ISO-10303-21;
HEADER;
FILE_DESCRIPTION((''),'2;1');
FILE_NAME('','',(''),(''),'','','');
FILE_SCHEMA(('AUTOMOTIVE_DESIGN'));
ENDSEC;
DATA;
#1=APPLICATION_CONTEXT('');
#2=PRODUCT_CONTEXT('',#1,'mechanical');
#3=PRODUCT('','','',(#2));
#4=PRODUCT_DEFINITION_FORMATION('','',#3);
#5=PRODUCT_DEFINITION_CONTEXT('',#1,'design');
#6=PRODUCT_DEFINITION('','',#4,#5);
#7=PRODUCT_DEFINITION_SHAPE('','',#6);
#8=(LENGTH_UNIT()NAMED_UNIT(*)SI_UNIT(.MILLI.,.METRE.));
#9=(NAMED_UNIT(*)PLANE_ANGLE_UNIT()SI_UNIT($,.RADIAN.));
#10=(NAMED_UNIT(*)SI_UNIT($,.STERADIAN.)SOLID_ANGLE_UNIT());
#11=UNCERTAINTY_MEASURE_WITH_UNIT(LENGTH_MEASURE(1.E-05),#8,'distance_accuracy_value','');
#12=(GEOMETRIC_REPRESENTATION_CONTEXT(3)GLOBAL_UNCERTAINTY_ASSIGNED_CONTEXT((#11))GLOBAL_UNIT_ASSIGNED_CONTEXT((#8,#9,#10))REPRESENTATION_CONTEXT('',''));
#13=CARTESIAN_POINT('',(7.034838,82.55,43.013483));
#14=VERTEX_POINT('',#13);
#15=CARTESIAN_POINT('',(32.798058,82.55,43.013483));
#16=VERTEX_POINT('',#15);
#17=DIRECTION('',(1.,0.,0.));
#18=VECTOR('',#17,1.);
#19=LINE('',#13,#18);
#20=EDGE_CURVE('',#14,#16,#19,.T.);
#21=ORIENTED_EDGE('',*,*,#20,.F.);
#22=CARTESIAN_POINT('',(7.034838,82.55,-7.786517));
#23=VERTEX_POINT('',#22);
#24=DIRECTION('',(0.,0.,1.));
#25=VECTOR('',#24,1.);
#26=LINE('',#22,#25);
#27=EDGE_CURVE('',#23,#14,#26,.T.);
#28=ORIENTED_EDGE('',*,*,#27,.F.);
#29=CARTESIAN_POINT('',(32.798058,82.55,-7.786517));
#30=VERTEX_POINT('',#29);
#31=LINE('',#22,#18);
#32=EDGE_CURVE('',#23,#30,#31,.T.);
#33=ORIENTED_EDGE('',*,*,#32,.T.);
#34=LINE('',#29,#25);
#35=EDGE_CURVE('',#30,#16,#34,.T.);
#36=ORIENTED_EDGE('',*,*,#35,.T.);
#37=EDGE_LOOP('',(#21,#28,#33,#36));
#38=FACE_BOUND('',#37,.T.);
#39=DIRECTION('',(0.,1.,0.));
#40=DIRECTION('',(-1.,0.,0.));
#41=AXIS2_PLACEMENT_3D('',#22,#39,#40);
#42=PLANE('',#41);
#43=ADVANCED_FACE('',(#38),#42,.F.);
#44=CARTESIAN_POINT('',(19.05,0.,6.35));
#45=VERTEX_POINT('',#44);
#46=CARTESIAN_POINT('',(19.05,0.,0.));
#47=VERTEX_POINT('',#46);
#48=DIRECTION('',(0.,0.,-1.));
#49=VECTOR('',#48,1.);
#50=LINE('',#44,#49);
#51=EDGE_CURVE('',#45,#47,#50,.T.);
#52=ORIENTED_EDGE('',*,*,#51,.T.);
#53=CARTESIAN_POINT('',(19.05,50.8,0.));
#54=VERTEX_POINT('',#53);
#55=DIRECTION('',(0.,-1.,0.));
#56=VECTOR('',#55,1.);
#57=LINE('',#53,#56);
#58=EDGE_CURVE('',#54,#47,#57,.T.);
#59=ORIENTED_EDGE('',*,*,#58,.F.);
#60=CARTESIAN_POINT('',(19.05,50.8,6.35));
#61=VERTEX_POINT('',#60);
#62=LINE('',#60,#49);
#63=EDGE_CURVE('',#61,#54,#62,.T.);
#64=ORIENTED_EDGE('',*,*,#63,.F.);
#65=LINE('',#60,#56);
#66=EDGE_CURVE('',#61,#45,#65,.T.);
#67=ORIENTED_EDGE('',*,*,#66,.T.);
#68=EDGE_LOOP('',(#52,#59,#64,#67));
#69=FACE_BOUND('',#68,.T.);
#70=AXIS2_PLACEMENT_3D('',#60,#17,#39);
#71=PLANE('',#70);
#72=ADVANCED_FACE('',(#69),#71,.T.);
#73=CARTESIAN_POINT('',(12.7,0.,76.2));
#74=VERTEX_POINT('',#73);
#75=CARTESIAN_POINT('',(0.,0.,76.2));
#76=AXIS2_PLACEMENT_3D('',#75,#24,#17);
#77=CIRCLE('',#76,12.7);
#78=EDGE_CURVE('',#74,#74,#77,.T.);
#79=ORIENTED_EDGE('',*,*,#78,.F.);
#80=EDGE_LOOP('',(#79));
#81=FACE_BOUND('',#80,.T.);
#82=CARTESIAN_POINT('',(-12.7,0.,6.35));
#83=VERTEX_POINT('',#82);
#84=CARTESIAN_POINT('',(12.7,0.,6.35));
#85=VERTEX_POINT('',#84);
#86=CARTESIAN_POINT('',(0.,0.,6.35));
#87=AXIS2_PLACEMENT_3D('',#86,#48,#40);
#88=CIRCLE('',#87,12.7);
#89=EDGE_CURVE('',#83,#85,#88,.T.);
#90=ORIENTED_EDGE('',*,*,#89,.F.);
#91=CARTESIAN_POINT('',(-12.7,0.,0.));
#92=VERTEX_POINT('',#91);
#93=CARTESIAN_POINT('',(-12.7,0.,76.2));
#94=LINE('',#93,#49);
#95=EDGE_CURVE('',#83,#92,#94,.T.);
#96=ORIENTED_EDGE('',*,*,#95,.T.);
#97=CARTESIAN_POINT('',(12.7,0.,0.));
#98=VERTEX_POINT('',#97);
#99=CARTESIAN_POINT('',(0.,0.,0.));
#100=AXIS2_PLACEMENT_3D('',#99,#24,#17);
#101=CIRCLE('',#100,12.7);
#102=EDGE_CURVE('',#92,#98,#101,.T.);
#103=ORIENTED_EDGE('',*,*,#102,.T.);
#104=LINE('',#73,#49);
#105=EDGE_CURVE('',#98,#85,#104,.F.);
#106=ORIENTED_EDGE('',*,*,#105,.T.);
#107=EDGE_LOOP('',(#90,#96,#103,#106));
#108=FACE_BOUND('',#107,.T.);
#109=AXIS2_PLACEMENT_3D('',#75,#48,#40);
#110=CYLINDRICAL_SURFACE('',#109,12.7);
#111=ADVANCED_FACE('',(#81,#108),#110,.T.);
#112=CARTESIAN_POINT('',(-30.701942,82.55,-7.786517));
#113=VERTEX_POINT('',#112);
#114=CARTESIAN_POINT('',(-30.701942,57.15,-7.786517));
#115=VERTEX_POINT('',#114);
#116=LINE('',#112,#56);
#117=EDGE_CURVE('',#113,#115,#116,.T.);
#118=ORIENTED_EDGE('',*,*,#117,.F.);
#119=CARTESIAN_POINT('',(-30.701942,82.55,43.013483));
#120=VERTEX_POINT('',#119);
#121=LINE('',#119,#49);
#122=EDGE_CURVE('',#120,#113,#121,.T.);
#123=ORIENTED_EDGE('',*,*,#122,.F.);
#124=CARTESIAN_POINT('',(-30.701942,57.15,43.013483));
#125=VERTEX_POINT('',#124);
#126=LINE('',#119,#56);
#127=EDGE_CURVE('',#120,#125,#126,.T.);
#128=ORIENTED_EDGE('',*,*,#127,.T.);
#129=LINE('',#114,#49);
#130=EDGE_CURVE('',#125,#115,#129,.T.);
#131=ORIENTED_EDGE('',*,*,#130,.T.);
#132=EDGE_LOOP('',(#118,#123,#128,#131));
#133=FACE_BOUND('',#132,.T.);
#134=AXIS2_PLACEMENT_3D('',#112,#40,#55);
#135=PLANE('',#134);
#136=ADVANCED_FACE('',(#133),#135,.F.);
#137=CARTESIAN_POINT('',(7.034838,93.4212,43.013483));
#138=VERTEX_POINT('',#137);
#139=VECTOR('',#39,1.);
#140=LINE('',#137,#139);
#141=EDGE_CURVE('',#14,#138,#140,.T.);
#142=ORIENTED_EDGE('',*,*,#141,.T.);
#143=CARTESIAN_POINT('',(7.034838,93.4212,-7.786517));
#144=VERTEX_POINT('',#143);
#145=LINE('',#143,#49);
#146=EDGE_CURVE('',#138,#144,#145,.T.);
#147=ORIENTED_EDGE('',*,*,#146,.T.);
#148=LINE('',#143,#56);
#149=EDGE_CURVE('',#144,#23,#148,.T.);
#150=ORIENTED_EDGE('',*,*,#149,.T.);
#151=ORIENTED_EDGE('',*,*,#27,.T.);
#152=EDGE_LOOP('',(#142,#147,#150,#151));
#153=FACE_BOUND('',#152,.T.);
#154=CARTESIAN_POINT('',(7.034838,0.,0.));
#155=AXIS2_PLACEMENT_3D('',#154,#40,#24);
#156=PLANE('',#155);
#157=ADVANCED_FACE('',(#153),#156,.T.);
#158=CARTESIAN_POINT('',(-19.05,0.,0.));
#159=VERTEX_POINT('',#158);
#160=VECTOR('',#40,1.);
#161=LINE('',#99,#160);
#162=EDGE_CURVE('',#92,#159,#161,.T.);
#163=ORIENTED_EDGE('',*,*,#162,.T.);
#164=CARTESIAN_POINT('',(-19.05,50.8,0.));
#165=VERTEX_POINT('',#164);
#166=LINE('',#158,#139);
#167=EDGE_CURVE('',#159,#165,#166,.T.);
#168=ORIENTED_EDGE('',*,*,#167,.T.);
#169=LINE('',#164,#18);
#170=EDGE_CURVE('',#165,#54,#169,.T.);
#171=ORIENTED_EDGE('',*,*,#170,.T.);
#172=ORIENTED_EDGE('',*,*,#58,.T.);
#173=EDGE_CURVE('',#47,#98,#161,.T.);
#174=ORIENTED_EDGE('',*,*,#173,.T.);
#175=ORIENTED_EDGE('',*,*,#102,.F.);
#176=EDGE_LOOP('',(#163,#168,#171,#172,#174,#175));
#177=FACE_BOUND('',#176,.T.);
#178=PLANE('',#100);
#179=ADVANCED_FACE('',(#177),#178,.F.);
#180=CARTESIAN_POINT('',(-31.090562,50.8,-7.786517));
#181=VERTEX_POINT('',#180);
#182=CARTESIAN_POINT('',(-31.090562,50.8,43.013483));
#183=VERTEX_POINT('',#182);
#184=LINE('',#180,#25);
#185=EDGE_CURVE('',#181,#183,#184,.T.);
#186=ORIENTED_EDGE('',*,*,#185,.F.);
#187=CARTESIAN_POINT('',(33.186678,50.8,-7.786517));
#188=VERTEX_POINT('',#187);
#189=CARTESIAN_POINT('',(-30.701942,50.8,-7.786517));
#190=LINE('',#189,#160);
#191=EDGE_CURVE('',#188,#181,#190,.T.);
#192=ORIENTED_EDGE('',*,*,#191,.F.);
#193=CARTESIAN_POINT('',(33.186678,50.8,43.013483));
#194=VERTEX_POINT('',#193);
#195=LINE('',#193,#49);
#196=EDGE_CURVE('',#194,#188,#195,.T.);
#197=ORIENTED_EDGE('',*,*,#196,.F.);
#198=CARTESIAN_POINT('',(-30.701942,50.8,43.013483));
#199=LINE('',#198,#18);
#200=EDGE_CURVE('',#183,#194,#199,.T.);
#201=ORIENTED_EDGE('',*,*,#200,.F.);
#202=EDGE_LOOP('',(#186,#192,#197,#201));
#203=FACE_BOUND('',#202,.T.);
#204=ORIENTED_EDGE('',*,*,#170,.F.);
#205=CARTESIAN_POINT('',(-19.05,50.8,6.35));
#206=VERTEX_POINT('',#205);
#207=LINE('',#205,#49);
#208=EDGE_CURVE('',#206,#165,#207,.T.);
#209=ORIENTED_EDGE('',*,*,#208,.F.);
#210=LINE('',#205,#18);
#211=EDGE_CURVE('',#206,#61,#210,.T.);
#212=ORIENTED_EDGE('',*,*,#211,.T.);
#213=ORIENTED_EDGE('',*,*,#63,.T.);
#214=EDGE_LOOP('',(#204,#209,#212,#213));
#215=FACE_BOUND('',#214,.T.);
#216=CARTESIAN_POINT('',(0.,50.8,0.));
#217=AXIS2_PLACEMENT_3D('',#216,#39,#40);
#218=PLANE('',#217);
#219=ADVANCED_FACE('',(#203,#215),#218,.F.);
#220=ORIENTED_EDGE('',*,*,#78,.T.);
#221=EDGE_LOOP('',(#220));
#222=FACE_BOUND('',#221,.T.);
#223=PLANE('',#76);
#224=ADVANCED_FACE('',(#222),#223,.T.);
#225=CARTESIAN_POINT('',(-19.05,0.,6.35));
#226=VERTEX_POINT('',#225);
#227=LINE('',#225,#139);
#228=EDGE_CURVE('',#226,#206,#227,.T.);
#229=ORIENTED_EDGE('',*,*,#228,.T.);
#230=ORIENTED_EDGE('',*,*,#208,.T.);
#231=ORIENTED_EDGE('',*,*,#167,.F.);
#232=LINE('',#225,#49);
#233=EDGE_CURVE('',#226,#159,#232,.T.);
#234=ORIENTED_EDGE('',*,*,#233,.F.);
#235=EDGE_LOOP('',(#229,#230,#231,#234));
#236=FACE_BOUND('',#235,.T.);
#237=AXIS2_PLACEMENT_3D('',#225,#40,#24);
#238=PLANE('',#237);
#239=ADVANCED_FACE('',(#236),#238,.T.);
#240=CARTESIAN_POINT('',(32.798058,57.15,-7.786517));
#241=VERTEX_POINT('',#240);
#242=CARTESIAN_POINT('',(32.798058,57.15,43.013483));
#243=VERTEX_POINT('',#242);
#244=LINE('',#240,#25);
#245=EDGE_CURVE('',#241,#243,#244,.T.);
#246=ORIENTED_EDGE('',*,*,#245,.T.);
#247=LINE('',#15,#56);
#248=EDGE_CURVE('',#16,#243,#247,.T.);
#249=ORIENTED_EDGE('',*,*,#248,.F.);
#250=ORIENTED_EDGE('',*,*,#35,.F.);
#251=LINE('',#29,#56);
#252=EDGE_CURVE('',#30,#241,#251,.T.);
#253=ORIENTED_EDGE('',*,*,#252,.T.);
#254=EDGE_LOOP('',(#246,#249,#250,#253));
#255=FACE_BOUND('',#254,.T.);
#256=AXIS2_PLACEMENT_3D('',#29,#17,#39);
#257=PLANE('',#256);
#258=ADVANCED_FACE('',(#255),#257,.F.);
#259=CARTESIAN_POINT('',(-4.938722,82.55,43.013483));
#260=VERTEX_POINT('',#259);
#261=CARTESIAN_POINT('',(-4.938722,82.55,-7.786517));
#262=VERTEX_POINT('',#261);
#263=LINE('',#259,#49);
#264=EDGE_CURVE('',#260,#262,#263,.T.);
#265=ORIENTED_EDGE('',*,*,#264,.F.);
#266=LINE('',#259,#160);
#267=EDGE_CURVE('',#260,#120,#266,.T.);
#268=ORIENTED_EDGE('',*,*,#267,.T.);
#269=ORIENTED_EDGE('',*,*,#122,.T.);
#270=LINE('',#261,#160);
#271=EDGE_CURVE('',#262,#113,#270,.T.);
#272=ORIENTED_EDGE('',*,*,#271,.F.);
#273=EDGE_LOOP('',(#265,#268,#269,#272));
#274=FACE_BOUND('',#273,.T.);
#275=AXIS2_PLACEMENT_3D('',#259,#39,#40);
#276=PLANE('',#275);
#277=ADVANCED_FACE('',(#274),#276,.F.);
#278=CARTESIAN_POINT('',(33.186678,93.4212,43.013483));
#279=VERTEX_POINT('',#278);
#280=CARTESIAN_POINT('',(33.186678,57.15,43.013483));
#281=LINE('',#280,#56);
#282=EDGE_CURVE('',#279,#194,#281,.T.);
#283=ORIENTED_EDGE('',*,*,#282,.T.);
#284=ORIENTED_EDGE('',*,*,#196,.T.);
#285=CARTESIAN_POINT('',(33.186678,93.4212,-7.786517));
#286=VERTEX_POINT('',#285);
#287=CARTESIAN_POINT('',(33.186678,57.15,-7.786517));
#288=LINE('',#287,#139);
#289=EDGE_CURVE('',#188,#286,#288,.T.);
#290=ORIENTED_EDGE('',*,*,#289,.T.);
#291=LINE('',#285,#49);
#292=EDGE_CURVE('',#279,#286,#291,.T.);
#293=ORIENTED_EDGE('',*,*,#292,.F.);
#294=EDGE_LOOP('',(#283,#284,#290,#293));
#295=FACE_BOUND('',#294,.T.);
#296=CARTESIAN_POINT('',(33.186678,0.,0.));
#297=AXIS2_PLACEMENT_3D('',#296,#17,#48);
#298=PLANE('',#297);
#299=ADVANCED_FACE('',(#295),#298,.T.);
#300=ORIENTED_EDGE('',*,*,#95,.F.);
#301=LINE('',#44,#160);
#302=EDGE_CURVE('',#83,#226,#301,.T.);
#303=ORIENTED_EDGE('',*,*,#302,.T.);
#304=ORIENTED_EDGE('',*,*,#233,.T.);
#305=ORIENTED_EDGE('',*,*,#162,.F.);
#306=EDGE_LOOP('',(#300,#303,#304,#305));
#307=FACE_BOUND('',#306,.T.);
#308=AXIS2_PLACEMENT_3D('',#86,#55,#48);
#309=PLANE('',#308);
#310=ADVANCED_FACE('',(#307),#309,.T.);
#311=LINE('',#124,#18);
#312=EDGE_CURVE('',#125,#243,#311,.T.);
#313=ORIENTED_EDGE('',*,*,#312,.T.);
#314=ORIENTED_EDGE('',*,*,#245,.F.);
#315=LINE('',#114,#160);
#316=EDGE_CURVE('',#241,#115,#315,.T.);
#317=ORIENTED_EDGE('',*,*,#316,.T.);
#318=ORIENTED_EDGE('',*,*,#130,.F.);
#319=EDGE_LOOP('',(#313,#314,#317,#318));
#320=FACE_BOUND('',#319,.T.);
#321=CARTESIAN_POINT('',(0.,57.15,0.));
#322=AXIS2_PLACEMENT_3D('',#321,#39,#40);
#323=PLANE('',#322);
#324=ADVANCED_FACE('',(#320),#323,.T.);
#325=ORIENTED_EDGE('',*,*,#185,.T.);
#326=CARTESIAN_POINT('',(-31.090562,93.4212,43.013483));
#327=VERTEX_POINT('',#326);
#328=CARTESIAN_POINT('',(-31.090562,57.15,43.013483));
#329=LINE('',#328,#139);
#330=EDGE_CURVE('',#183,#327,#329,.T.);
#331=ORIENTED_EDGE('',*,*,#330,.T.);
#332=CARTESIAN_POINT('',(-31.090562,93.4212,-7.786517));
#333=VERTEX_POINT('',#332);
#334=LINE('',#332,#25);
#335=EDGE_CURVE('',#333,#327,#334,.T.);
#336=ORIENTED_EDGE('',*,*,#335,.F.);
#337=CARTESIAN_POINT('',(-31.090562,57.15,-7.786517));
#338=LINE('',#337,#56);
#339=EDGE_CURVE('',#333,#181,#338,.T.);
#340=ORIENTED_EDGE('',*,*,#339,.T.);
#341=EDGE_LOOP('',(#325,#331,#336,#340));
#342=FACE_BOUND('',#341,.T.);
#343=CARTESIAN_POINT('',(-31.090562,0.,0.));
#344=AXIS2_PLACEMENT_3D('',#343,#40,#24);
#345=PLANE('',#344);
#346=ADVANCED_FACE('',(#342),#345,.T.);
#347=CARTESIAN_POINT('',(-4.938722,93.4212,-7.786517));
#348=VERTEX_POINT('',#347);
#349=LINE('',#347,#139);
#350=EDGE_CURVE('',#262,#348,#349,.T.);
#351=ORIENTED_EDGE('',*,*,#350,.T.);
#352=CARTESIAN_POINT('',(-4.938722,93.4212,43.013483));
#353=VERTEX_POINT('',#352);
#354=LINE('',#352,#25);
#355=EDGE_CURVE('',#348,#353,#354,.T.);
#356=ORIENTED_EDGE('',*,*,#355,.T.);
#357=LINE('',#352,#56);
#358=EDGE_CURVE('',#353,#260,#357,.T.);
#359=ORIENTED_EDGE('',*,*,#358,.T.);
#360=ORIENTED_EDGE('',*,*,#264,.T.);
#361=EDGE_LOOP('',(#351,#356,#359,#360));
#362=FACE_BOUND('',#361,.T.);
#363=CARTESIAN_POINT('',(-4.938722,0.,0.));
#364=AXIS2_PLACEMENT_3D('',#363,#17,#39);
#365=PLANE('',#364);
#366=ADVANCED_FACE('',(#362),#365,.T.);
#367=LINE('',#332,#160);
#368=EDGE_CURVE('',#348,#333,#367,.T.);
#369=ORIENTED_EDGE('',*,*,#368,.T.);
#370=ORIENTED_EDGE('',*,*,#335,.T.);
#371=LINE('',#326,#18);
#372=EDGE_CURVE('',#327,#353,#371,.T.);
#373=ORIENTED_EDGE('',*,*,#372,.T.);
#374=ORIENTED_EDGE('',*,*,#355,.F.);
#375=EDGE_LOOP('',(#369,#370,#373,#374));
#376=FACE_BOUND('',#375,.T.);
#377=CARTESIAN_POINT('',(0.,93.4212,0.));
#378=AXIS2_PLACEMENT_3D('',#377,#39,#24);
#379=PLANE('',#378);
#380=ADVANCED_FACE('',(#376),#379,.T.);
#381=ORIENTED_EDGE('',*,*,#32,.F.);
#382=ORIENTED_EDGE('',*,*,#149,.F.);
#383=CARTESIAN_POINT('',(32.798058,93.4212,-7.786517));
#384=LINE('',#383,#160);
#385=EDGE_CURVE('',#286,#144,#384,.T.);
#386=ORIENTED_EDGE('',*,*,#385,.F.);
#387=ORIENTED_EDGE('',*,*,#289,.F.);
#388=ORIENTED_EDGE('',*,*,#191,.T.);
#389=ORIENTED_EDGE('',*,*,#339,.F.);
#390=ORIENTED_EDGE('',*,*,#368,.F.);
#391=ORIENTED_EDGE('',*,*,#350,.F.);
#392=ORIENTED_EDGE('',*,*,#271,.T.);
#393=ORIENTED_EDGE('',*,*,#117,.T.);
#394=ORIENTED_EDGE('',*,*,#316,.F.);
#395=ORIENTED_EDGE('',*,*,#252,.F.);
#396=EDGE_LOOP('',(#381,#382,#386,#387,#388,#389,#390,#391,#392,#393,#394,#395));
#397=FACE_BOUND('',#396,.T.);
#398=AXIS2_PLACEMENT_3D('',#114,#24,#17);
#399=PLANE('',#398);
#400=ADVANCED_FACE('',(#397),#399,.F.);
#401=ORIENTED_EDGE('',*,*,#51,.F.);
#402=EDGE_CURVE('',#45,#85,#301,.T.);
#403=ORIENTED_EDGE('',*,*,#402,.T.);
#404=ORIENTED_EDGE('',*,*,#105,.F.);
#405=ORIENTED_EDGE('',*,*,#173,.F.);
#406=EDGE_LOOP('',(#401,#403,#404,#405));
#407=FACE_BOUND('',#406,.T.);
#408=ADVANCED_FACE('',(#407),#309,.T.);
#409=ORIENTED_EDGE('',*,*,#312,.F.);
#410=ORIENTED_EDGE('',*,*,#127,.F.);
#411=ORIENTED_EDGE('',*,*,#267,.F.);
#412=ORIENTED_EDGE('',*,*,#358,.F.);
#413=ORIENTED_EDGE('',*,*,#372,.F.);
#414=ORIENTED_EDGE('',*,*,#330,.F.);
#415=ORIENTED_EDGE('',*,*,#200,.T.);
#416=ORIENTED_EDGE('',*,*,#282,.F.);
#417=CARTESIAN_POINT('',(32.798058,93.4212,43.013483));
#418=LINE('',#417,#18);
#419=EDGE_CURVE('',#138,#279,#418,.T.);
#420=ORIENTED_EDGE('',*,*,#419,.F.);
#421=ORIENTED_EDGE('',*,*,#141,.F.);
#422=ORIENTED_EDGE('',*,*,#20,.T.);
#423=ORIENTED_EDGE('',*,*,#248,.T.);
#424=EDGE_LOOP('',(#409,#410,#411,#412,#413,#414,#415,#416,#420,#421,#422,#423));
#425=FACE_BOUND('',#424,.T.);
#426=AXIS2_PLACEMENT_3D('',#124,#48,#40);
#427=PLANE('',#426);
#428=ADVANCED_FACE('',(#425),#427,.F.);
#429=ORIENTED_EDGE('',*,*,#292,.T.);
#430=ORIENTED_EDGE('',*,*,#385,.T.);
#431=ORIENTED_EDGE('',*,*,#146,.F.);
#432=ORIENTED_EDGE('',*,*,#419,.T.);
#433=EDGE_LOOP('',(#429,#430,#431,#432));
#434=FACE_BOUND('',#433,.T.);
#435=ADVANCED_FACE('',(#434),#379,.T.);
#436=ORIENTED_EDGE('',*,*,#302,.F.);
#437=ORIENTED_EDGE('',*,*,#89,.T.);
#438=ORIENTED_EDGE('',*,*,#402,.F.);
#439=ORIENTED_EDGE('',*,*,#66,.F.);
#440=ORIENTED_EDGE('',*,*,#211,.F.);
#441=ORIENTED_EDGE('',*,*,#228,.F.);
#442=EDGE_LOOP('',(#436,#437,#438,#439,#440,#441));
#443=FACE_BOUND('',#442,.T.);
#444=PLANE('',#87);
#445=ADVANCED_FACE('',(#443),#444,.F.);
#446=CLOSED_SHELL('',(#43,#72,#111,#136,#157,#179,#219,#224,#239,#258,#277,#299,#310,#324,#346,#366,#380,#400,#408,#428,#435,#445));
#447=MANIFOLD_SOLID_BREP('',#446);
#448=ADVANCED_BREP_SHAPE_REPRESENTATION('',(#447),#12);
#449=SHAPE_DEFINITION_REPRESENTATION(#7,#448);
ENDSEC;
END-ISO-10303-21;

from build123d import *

# Parameters (mm, degrees)
SKETCH3_R            = 12.7
BOSS_EXTRUDE1_DEPTH  = 76.2
BOSS_EXTRUDE2_DEPTH  = 6.35
SKETCH6_W            = 63.5
SKETCH6_H            = 50.8
BOSS_EXTRUDE3_DEPTH  = 6.35
SKETCH9_W            = 50.8
SKETCH9_H            = 6.35
BOSS_EXTRUDE4_DEPTH  = 0.38862
SKETCH10_W           = 0.38862
SKETCH10_H           = 50.8
BOSS_EXTRUDE5_DEPTH  = 25.4
SKETCH11_W           = 50.8
SKETCH11_H           = 6.35
BOSS_EXTRUDE6_DEPTH  = 0.38862
SKETCH13_W           = 0.38862
SKETCH13_H           = 50.8
BOSS_EXTRUDE7_DEPTH  = 25.4
SKETCH14_W           = 0.38862
SKETCH14_H           = 50.8
BOSS_EXTRUDE8_DEPTH  = 10.8712
SKETCH15_W           = 50.8
SKETCH15_H           = 10.8712
BOSS_EXTRUDE9_DEPTH  = 25.76322
SKETCH16_W           = 0.38862
SKETCH16_H           = 50.8
BOSS_EXTRUDE10_DEPTH = 10.8712
SKETCH17_W           = 50.8
SKETCH17_H           = 10.8712
BOSS_EXTRUDE11_DEPTH = 25.76322


with BuildPart() as part:
    # Sketch3 → Boss-Extrude1 (new body)
    with BuildSketch(Plane.XY):
        with Locations(Location((0, 0, 0), (0, 0, 180))):
            Circle(SKETCH3_R)
    extrude(amount=BOSS_EXTRUDE1_DEPTH)

    # Sketch4 → Boss-Extrude2 (add)
    with BuildSketch(Plane(origin=(0, 0, 0), x_dir=(-1, 0, 0), z_dir=(0, 0, -1))):
        Polygon((0, 0), (19.05, 0), (19.05, 50.8), (-19.05, 50.8), (-19.05, 0), align=None)
    extrude(amount=-BOSS_EXTRUDE2_DEPTH)

    # Sketch6 → Boss-Extrude3 (add)
    with BuildSketch(Plane(origin=(0, 50.8, 0), x_dir=(1, 0, 0), z_dir=(0, 1, 0))):
        with Locations((1.04805825, -17.613482739)):
            Rectangle(SKETCH6_W, SKETCH6_H)
    extrude(amount=BOSS_EXTRUDE3_DEPTH)

    # Sketch9 → Boss-Extrude4 (add)
    with BuildSketch(Plane(origin=(32.79805825, 0, 0), x_dir=(0, 0, -1), z_dir=(1, 0, 0))):
        with Locations((-17.613482739, 53.975)):
            Rectangle(SKETCH9_W, SKETCH9_H)
    extrude(amount=BOSS_EXTRUDE4_DEPTH)

    # Sketch10 → Boss-Extrude5 (add)
    with BuildSketch(Plane(origin=(0, 57.15, 0), x_dir=(1, 0, 0), z_dir=(0, 1, 0))):
        with Locations((32.99236825, -17.613482739)):
            Rectangle(SKETCH10_W, SKETCH10_H)
    extrude(amount=BOSS_EXTRUDE5_DEPTH)

    # Sketch11 → Boss-Extrude6 (add)
    with BuildSketch(Plane.ZY.offset(30.70194175)):
        with Locations((17.613482739, 53.975)):
            Rectangle(SKETCH11_W, SKETCH11_H)
    extrude(amount=BOSS_EXTRUDE6_DEPTH)

    # Sketch13 → Boss-Extrude7 (add)
    with BuildSketch(Plane(origin=(0, 57.15, 0), x_dir=(1, 0, 0), z_dir=(0, 1, 0))):
        with Locations((-30.89625175, -17.613482739)):
            Rectangle(SKETCH13_W, SKETCH13_H)
    extrude(amount=BOSS_EXTRUDE7_DEPTH)

    # Sketch14 → Boss-Extrude8 (add)
    with BuildSketch(Plane(origin=(0, 82.55, 0), x_dir=(1, 0, 0), z_dir=(0, 1, 0))):
        with Locations((-30.89625175, -17.613482739)):
            Rectangle(SKETCH14_W, SKETCH14_H)
    extrude(amount=BOSS_EXTRUDE8_DEPTH)

    # Sketch15 → Boss-Extrude9 (add)
    with BuildSketch(Plane(origin=(-30.70194175, 0, 0), x_dir=(0, 0, -1), z_dir=(1, 0, 0))):
        with Locations((-17.613482739, 87.9856)):
            Rectangle(SKETCH15_W, SKETCH15_H)
    extrude(amount=BOSS_EXTRUDE9_DEPTH)

    # Sketch16 → Boss-Extrude10 (add)
    with BuildSketch(Plane(origin=(0, 82.55, 0), x_dir=(1, 0, 0), z_dir=(0, 1, 0))):
        with Locations((32.99236825, -17.613482739)):
            Rectangle(SKETCH16_W, SKETCH16_H)
    extrude(amount=BOSS_EXTRUDE10_DEPTH)

    # Sketch17 → Boss-Extrude11 (add)
    with BuildSketch(Plane.ZY.offset(-32.79805825)):
        with Locations((17.613482739, 87.9856)):
            Rectangle(SKETCH17_W, SKETCH17_H)
    extrude(amount=BOSS_EXTRUDE11_DEPTH)


solid = part.part
